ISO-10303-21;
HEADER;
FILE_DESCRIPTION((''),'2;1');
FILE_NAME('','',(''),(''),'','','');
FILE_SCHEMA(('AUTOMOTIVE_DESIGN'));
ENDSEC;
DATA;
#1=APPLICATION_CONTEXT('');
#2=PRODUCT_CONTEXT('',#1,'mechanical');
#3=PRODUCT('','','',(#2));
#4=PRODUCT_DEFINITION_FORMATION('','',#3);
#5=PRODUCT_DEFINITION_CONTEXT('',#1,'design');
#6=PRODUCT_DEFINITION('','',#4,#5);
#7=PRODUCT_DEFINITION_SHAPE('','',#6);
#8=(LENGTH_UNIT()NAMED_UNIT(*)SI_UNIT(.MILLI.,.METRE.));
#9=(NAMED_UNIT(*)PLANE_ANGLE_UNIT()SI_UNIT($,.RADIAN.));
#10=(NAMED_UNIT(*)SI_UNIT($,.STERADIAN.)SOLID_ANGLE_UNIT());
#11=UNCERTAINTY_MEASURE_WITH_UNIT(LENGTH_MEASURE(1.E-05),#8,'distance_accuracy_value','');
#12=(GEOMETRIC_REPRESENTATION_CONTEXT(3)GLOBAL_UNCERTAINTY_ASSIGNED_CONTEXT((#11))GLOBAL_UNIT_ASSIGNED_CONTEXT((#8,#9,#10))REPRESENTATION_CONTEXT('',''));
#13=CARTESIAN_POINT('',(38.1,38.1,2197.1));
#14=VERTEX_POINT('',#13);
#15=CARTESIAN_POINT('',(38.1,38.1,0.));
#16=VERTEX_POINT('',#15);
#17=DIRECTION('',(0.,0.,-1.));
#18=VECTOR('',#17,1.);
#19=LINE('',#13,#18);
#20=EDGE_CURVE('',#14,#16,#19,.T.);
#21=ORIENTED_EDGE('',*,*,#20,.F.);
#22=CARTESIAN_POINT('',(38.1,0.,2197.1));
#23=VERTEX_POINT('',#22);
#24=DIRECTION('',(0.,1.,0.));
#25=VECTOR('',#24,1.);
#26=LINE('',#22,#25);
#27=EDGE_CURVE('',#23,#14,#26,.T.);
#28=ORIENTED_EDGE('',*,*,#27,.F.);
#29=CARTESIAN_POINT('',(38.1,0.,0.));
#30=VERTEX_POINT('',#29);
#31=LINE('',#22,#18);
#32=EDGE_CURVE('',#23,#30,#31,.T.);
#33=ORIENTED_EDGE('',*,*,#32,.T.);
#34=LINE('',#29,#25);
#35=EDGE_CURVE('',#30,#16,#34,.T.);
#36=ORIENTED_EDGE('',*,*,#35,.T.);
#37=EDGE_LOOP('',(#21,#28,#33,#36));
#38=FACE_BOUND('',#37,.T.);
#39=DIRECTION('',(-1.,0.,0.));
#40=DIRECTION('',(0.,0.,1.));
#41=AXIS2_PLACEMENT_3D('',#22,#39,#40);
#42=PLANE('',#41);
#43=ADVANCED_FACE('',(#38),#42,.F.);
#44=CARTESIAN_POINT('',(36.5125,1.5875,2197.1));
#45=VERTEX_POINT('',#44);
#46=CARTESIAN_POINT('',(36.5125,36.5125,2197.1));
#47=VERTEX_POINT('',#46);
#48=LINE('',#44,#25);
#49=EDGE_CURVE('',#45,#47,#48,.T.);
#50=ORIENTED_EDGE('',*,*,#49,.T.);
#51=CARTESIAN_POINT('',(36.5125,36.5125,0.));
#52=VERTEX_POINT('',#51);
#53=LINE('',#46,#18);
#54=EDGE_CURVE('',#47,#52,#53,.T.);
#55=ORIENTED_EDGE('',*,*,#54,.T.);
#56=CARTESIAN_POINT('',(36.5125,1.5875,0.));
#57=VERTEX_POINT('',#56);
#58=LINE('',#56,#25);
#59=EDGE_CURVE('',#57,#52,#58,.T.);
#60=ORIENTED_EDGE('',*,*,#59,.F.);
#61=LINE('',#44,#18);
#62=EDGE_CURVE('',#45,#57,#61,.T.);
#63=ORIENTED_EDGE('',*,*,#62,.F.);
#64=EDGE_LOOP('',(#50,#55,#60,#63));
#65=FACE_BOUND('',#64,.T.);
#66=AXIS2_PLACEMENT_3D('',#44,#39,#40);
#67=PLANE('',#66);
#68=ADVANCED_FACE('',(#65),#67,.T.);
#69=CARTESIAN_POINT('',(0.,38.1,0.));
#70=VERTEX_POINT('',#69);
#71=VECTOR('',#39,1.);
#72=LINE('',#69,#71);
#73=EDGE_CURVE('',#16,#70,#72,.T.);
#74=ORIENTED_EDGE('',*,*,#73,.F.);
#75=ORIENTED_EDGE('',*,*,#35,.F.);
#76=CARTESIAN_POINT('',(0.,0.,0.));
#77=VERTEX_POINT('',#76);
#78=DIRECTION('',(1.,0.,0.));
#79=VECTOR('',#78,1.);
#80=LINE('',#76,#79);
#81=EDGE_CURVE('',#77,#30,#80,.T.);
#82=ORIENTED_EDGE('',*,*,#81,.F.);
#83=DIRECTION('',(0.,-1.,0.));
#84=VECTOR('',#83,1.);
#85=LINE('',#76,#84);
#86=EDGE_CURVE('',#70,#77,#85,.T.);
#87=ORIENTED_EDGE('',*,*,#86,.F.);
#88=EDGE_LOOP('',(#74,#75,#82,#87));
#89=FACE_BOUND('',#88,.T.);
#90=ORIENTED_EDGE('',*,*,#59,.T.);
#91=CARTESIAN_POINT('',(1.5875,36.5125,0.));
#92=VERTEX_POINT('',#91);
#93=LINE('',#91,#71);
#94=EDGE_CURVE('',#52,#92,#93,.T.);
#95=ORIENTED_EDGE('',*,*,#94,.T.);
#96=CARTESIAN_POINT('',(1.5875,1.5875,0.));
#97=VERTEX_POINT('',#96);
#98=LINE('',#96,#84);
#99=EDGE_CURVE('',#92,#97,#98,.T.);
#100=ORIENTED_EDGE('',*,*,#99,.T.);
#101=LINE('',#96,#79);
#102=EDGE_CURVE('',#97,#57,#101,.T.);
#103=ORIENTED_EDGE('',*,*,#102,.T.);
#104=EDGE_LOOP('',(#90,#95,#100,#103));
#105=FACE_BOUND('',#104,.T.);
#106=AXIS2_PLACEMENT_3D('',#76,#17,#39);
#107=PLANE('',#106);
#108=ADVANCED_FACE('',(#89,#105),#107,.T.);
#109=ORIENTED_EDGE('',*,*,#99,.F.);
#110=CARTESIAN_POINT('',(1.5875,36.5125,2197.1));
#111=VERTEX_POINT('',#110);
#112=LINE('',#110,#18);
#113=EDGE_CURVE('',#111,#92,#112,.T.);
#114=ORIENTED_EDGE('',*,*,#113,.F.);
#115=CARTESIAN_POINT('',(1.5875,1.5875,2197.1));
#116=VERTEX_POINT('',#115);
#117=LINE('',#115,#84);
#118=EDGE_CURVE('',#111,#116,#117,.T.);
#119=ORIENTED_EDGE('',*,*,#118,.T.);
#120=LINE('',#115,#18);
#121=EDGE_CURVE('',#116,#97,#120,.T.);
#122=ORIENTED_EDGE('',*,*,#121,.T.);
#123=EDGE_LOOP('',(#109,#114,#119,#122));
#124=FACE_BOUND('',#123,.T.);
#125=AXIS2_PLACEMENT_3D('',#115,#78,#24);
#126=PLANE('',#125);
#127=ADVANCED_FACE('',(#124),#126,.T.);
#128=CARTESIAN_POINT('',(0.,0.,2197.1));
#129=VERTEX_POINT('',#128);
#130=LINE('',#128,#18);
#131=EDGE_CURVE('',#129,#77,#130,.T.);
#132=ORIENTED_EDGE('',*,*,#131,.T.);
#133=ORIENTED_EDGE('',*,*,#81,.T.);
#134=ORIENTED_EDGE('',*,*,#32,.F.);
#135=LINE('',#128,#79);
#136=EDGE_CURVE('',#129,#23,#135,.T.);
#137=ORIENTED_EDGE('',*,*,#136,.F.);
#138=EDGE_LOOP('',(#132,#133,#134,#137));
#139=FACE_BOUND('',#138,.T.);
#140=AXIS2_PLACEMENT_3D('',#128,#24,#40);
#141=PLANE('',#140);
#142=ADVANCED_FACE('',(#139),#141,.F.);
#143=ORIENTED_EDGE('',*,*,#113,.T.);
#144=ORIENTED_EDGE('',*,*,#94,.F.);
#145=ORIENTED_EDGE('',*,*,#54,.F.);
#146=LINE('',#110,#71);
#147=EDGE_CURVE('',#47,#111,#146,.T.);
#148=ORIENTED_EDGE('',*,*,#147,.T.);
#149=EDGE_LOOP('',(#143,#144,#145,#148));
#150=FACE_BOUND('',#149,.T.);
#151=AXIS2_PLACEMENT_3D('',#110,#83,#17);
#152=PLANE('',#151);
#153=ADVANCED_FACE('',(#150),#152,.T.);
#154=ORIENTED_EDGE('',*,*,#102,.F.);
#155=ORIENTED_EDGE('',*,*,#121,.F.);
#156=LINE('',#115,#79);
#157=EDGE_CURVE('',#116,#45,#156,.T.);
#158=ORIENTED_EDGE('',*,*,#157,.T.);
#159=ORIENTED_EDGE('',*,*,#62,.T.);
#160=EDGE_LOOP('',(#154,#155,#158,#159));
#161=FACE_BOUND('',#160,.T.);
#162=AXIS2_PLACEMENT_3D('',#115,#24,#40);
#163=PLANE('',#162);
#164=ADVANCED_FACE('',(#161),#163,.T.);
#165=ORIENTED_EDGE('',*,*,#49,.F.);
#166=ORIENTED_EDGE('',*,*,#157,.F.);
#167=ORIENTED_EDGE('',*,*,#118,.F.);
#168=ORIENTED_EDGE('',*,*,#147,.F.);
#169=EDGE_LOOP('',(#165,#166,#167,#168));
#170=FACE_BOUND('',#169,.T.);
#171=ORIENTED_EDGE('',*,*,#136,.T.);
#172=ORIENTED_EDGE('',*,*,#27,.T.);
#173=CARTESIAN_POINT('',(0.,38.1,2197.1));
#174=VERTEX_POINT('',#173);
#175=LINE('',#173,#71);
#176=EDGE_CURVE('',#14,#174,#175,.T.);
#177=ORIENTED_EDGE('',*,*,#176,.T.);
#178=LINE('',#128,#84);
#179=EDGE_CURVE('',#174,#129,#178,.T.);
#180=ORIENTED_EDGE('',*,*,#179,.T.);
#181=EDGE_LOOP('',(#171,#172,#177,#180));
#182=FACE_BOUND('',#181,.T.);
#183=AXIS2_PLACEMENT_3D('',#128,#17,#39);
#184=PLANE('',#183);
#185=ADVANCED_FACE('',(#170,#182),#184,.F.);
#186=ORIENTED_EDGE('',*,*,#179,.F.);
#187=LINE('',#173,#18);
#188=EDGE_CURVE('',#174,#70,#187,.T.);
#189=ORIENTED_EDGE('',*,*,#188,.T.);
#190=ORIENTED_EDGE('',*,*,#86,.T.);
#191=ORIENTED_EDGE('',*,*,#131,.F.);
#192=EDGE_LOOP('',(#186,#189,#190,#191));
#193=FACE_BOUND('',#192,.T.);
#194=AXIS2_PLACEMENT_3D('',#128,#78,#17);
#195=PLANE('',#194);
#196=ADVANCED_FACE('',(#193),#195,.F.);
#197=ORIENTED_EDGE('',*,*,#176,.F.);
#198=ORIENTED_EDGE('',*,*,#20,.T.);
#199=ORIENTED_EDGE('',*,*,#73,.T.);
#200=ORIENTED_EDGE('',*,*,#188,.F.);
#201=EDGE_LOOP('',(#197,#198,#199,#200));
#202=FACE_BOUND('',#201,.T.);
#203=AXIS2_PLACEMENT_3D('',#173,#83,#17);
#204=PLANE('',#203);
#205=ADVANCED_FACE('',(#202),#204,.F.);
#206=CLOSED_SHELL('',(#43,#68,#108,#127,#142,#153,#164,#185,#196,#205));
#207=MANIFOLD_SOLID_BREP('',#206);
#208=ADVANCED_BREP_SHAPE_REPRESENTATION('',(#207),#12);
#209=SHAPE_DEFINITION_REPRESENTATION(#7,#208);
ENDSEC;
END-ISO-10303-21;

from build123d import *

# Parameters (mm, degrees)
SKETCH2_W           = 38.1
SKETCH2_H           = 38.1
SKETCH2_W_2         = 34.925
SKETCH2_H_2         = 34.925
BOSS_EXTRUDE1_DEPTH = 2197.1


with BuildPart() as part:
    # Sketch2 → Boss-Extrude1 (new body)
    with BuildSketch(Plane.XY):
        with Locations((19.05, 19.05)):
            Rectangle(SKETCH2_W, SKETCH2_H)
        with Locations((19.05, 19.05)):
            Rectangle(SKETCH2_W_2, SKETCH2_H_2, mode=Mode.SUBTRACT)
    extrude(amount=BOSS_EXTRUDE1_DEPTH)


solid = part.part
